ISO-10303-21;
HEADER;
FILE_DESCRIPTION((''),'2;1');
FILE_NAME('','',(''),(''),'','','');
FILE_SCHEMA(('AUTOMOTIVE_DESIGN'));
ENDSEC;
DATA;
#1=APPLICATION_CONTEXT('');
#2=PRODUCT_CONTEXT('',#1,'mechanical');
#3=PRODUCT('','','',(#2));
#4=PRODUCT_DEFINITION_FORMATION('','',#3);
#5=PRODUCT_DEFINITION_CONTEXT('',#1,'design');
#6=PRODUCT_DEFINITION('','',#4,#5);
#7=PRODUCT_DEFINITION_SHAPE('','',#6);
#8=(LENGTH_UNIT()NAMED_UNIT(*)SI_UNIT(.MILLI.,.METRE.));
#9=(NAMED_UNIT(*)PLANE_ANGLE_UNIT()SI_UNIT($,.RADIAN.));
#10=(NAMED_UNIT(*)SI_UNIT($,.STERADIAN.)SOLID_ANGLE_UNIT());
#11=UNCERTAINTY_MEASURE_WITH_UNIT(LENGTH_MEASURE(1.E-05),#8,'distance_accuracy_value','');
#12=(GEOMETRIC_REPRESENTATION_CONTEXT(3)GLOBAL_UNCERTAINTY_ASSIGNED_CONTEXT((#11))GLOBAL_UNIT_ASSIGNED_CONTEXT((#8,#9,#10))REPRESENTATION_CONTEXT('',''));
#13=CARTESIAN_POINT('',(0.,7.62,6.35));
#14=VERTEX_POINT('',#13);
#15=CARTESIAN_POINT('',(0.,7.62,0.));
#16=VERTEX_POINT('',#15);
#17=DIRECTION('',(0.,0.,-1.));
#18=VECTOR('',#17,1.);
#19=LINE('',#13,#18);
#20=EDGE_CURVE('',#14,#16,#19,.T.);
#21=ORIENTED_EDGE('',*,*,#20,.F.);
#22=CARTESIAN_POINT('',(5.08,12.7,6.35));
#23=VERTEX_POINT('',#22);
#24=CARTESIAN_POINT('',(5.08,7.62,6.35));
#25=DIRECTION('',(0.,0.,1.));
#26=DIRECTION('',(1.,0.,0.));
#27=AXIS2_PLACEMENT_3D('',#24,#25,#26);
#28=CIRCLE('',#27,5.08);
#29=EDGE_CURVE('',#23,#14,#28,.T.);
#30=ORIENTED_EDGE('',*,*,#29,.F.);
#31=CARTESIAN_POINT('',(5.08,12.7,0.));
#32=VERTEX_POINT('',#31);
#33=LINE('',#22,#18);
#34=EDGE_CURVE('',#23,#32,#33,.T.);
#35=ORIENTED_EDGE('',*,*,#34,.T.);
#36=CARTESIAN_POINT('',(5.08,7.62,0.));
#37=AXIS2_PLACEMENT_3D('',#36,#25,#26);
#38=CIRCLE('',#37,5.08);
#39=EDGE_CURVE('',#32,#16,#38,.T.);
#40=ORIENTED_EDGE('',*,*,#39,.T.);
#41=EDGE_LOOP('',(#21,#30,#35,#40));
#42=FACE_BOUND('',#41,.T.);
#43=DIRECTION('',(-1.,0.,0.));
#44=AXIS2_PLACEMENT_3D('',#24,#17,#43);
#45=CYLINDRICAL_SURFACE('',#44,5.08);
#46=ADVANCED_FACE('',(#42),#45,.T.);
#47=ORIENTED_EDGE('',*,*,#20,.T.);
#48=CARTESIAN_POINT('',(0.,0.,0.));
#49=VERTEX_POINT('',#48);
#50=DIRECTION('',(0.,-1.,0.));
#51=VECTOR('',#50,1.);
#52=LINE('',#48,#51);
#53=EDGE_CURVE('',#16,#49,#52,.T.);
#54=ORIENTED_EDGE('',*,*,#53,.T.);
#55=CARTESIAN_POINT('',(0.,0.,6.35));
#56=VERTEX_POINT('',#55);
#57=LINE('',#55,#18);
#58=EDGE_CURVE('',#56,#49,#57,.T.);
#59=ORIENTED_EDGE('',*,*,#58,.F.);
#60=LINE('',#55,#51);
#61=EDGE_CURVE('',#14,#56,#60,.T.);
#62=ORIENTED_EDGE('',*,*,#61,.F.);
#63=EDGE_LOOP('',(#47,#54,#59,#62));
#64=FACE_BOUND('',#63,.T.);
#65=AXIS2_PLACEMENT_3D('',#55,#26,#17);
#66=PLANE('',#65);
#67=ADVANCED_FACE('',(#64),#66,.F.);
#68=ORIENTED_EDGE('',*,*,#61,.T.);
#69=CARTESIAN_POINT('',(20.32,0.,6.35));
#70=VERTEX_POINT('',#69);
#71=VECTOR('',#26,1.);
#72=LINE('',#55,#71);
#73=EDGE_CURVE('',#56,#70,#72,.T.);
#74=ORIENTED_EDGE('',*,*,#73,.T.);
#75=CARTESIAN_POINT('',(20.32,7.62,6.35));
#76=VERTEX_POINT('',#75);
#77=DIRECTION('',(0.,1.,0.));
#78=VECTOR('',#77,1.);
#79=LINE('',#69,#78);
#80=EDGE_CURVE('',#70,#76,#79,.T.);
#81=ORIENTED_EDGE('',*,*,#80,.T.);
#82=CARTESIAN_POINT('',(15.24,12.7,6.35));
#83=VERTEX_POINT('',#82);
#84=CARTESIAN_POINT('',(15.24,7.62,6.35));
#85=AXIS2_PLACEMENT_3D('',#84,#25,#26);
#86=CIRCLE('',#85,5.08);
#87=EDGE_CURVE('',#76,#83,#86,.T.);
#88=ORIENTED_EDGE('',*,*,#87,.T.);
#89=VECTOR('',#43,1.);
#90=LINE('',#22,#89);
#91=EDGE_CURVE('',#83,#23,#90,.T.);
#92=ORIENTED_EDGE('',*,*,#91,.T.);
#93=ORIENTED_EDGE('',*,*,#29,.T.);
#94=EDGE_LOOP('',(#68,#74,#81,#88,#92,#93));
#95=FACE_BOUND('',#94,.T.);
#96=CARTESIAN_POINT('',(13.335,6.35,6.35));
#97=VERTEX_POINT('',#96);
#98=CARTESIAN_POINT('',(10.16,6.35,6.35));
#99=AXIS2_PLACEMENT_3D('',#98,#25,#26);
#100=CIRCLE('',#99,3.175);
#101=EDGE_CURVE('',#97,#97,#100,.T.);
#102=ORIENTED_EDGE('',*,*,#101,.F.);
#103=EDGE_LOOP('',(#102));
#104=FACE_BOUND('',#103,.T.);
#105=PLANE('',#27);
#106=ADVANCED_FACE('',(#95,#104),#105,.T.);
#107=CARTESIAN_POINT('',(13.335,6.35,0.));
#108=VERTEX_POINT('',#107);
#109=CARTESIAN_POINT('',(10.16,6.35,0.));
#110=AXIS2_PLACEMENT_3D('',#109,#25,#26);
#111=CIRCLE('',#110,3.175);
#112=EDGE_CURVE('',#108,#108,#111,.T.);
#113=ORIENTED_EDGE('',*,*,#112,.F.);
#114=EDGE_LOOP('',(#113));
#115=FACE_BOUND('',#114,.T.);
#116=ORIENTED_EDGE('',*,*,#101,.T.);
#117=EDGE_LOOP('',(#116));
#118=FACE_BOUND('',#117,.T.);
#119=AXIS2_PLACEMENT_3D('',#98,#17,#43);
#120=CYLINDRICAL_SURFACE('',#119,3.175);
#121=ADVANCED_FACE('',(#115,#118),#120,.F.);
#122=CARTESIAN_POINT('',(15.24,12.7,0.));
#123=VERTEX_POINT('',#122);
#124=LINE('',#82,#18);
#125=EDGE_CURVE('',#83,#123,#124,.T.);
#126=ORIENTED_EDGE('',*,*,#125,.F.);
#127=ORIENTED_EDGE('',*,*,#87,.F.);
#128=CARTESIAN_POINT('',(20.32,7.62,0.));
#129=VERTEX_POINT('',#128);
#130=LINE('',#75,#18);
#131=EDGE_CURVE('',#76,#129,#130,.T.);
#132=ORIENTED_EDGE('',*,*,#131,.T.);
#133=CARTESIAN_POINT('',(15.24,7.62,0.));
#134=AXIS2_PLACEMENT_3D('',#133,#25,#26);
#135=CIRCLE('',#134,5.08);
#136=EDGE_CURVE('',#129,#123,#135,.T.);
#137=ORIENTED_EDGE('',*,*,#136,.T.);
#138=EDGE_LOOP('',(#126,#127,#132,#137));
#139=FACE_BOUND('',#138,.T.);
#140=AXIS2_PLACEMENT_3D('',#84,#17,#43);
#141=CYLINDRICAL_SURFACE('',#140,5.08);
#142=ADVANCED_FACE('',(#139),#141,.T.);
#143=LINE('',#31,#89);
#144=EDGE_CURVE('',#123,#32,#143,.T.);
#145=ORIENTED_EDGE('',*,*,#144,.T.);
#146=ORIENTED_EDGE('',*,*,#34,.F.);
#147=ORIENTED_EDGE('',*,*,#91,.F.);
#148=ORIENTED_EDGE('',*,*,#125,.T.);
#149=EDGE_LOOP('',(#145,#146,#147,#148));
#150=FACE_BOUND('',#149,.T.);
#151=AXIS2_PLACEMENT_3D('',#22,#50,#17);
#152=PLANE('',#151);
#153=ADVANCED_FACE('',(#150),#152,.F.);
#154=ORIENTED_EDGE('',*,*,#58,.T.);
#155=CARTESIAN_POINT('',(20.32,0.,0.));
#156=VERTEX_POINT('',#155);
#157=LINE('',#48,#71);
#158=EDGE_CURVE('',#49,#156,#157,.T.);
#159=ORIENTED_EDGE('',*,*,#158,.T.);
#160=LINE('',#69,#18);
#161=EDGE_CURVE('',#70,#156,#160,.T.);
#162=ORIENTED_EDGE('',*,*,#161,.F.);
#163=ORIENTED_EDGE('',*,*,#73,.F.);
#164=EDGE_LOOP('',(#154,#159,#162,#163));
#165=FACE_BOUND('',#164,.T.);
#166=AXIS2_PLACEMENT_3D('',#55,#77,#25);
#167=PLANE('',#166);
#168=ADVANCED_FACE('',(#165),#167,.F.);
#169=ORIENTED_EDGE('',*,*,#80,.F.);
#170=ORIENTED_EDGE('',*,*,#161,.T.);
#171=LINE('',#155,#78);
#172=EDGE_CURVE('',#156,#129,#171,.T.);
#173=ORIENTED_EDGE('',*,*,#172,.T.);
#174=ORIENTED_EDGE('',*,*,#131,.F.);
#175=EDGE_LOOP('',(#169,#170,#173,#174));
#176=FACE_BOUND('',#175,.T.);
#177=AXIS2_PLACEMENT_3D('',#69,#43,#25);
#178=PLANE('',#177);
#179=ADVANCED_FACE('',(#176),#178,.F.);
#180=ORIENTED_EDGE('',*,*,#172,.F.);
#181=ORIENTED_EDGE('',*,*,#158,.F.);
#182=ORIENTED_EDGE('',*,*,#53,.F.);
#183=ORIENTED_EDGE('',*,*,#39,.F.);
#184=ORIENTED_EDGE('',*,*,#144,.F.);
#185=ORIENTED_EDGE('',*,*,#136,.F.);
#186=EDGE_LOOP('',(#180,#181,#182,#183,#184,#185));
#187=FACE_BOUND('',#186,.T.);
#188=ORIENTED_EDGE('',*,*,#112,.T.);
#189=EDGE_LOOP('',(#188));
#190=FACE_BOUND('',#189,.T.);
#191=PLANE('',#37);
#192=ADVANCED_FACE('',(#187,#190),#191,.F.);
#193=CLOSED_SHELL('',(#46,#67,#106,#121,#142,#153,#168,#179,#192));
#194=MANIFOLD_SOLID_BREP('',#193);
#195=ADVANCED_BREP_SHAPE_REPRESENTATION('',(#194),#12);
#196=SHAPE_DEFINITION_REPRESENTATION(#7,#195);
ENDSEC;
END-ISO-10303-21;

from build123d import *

# Parameters (mm, degrees)
SKETCH1_R           = 3.175
BOSS_EXTRUDE1_DEPTH = 6.35


with BuildPart() as part:
    # Sketch1 → Boss-Extrude1 (new body)
    with BuildSketch(Plane.XY):
        with BuildLine():
            Line((0, 0), (20.32, 0))
            Line((20.32, 0), (20.32, 7.62))
            ThreePointArc((20.32, 7.62), (18.832102448, 11.212102448), (15.24, 12.7))
            Line((15.24, 12.7), (5.08, 12.7))
            ThreePointArc((5.08, 12.7), (1.487897552, 11.212102448), (0, 7.62))
            Line((0, 7.62), (0, 0))
        make_face()
        with Locations((10.16, 6.35)):
            Circle(SKETCH1_R, mode=Mode.SUBTRACT)
    extrude(amount=BOSS_EXTRUDE1_DEPTH)


solid = part.part
